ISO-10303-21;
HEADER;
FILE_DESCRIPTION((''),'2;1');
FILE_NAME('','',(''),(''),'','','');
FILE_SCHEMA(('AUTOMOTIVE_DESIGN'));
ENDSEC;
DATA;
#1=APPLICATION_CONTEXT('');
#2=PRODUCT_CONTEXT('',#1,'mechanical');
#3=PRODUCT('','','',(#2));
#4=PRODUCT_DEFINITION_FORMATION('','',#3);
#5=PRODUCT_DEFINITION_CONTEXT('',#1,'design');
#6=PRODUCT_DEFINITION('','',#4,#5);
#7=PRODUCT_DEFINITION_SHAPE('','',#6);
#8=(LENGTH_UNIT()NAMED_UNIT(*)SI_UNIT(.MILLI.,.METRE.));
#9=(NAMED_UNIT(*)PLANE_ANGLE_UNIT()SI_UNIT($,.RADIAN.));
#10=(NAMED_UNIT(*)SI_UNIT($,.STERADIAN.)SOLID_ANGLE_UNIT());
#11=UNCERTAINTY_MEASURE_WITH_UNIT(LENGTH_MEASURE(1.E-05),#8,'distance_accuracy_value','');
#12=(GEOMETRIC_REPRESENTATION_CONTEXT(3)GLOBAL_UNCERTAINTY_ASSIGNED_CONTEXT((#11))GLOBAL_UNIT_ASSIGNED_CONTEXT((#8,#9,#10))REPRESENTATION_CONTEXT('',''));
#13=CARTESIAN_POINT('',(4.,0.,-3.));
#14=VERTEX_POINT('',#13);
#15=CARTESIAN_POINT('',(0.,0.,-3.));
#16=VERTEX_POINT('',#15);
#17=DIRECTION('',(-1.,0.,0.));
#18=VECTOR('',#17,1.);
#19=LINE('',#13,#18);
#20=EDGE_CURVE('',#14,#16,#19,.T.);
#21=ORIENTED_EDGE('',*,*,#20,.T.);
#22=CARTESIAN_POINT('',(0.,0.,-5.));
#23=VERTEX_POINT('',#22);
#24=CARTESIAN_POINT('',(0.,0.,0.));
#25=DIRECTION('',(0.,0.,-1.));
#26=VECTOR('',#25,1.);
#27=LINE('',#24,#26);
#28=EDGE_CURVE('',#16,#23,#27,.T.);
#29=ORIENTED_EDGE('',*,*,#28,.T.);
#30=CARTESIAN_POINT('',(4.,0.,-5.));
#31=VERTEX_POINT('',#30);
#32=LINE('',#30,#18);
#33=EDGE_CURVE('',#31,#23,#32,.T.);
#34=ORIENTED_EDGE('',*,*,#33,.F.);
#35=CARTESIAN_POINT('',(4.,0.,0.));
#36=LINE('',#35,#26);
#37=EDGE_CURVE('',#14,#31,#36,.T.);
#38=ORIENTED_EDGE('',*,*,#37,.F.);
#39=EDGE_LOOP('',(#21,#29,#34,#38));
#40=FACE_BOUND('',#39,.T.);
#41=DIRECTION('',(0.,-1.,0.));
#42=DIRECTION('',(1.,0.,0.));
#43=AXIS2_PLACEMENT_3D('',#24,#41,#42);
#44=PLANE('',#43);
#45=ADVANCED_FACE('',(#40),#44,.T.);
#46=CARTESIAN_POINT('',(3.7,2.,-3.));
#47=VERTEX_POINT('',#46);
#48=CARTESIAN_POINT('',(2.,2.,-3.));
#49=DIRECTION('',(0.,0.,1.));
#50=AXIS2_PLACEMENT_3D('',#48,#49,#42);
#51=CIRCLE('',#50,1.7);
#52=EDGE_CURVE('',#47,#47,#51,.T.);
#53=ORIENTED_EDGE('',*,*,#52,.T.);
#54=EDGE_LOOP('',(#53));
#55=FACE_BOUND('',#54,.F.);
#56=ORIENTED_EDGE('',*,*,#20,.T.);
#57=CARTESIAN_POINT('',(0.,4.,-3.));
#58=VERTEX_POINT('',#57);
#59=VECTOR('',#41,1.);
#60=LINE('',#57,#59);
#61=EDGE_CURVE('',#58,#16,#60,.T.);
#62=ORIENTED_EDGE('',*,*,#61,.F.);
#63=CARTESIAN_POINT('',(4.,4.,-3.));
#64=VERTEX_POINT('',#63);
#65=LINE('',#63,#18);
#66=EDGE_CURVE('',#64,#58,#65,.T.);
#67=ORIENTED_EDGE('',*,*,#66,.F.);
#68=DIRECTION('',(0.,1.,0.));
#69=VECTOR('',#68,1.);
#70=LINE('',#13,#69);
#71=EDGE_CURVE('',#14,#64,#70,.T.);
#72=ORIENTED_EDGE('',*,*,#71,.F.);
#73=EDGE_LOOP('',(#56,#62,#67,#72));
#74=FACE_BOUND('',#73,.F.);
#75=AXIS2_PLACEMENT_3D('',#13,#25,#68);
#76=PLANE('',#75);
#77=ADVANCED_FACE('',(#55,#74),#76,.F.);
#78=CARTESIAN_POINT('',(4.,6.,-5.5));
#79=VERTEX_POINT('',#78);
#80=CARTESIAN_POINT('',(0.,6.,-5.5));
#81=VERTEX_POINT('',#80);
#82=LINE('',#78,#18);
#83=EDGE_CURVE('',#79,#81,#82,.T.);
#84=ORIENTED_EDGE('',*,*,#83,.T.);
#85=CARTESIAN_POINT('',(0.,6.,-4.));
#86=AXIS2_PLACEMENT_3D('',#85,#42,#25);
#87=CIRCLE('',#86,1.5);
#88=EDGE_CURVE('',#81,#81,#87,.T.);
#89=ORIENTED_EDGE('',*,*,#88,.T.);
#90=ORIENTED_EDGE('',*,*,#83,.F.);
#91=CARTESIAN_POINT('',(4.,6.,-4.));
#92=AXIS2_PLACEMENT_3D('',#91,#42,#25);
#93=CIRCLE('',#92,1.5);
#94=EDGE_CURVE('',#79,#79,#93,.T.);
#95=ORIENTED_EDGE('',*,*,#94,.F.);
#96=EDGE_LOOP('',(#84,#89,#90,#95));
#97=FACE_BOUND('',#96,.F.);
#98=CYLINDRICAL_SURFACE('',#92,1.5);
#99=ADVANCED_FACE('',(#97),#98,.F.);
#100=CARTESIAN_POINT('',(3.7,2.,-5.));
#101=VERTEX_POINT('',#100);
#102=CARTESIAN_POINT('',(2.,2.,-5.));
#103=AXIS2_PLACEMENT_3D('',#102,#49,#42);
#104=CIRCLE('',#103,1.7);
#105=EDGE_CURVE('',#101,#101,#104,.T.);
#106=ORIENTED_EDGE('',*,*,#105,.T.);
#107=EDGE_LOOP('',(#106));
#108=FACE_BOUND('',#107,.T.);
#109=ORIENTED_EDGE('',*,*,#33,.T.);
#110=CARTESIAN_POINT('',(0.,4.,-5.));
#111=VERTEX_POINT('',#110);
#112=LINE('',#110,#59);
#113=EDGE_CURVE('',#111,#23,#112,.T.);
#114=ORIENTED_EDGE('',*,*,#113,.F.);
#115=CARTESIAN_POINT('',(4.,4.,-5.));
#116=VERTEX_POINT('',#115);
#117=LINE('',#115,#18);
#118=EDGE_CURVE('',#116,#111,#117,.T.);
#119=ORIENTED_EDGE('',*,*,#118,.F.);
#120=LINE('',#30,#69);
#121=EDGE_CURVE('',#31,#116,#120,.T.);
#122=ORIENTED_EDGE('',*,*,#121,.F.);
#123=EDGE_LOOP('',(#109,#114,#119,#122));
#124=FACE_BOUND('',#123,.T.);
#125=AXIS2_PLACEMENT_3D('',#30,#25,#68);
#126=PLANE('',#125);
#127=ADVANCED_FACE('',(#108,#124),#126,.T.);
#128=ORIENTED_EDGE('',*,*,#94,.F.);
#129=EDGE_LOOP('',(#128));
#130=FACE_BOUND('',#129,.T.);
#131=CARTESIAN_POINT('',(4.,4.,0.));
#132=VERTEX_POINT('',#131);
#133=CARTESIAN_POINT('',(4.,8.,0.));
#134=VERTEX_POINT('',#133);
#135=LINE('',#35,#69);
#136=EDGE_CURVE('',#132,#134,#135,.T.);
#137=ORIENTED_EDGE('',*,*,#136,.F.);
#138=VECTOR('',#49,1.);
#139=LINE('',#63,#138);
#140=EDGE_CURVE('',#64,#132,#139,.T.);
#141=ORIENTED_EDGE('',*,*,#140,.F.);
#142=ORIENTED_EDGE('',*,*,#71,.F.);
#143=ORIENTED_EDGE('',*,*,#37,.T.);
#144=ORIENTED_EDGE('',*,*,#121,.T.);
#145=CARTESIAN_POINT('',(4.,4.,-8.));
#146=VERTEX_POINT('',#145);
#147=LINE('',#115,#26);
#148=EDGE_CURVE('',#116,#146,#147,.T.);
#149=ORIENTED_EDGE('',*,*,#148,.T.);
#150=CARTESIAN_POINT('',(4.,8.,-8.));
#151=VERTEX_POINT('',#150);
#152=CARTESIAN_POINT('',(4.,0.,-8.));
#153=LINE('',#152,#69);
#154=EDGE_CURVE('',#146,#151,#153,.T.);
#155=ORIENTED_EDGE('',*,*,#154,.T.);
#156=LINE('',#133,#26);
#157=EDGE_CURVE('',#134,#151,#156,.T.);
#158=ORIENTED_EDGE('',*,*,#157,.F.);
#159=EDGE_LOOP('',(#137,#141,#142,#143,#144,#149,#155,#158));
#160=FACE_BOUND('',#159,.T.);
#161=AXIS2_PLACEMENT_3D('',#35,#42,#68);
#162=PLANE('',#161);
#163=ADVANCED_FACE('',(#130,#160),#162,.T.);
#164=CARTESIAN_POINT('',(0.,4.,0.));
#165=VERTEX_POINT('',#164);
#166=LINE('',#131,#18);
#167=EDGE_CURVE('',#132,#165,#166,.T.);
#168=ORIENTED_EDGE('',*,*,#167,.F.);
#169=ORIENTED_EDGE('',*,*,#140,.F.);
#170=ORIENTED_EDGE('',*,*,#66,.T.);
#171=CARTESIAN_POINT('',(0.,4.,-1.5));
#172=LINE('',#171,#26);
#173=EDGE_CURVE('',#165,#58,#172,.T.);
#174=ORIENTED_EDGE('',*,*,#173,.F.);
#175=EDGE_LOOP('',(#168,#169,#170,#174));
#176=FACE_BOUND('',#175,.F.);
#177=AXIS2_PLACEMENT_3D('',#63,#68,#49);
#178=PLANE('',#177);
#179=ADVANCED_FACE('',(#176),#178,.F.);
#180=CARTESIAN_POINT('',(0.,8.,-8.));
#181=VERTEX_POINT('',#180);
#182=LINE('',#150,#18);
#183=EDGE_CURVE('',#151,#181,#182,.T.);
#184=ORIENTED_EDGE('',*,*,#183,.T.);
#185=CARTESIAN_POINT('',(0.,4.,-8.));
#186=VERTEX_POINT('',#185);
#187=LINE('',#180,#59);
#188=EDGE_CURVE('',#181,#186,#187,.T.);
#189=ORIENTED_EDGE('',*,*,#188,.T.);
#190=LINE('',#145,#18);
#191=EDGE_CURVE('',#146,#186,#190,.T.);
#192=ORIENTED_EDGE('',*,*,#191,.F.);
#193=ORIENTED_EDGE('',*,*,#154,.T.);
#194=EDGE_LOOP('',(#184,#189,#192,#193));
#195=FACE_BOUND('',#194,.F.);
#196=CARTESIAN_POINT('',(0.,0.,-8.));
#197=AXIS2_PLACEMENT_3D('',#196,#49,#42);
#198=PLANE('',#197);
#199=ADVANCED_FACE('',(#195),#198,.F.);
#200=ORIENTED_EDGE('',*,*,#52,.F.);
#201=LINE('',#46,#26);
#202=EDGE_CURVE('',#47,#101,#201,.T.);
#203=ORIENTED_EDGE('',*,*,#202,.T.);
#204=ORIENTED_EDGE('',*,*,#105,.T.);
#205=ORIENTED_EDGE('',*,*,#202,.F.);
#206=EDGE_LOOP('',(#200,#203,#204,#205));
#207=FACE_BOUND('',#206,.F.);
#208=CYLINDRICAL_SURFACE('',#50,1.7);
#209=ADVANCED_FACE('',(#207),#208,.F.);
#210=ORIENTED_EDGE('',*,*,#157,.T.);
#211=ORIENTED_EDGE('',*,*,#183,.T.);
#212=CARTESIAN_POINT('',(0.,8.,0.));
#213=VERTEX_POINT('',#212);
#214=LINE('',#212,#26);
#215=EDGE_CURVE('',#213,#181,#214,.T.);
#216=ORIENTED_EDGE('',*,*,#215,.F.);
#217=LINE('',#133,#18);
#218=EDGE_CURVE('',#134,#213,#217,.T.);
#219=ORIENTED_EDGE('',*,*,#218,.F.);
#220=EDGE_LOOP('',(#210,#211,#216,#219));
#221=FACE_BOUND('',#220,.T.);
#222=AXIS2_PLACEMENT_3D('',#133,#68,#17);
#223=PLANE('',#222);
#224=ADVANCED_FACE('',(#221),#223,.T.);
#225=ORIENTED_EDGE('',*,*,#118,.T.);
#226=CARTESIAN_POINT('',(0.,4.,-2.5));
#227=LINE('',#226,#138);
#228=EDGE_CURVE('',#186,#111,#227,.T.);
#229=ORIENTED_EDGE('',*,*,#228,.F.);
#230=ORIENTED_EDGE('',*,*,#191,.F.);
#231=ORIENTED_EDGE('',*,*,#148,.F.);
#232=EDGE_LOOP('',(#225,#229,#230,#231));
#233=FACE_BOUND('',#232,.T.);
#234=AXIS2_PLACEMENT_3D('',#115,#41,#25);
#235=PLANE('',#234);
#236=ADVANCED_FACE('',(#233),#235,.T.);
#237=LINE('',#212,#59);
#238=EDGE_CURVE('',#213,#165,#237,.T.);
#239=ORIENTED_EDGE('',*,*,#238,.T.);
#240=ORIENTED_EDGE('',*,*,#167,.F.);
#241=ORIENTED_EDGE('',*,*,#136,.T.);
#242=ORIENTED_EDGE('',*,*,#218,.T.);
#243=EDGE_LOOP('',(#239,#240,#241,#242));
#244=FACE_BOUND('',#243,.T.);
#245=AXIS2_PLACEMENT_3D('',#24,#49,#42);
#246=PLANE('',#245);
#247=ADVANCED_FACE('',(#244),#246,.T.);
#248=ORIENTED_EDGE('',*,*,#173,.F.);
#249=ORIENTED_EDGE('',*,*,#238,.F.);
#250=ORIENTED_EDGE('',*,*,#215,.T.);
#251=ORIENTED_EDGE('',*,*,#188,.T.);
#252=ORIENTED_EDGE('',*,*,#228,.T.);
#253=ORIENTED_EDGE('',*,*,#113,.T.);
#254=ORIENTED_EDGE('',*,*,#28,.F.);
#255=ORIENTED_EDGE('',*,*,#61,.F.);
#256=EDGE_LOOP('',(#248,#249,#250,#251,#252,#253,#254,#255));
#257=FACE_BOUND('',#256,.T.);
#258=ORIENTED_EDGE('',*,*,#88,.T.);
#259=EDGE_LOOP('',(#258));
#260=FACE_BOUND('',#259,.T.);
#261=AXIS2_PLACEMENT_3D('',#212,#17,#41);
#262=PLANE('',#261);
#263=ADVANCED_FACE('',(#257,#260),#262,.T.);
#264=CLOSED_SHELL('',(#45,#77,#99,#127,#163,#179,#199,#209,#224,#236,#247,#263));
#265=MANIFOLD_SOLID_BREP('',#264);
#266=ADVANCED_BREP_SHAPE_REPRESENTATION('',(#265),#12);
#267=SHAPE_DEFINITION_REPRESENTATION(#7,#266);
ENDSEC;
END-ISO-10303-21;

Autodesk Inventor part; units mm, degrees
ref_plane "YZ Plane" through (0, 0, 0) normal (1, 0, 0) x (0, 1, 0)
ref_plane "XZ Plane" through (0, 0, 0) normal (0, 1, 0) x (-1, 0, 0)
ref_plane "XY Plane" through (0, 0, 0) normal (0, 0, 1) x (1, 0, 0)
sketch "Skizze1" plane through (0, 0, 0) normal (0, 0, 1) x (1, 0, 0)
  line L0 (0, 0) -> (4, 0)
  line L1 (4, 0) -> (4, 8)
  line L2 (4, 8) -> (0, 8)
  line L3 (0, 8) -> (0, 0)
  dimension "d0" = 4
  dimension "d1" = 8
extrude "Extrusion1" add sketch "Skizze1" against normal blind 8
sketch "Skizze12" plane through (4, 0, 0) normal (1, 0, 0) x (0, 0, -1)
  line L0 (0, 8) -> (0, 0) projected
  line L1 (0, 0) -> (3, 0)
  line L2 (3, 0) -> (3, 4)
  line L3 (3, 4) -> (0, 4)
  line L4 (0, 4) -> (0, 0)
  line L5 (8, 0) -> (5, 0)
  line L6 (5, 0) -> (5, 4)
  line L7 (5, 4) -> (8, 4)
  line L8 (8, 4) -> (8, 0)
  dimension "d45" = 4
  dimension "d46" = 4
  dimension "d47" = 3
  dimension "d48" = 3
extrude "Extrusion10" cut sketch "Skizze12" against normal blind 5
sketch "Skizze13" plane through (4, 0, -3) normal (0, 0, 1) x (1, 0, 0)
  circle A0 centre (-2, 2) radius 1.7
  line L0 (0, 0) -> (-4, 0) projected
  line L1 (0, 4) -> (0, 0) projected
  dimension "d51" = 3.4
  dimension "d52" = 2
  dimension "d53" = 2
extrude "Extrusion11" cut sketch "Skizze13" against normal blind 3
sketch "Skizze14" plane through (4, 8, 0) normal (1, 0, 0) x (0, 0, -1)
  circle A0 centre (4, -2) radius 1.5
  line L0 (0, -4) -> (0, 0) projected
  line L1 (0, -4) -> (3, -4) projected
  point P0 (0, -8)
  dimension "d56" = 3
  dimension "d57" = 4
  dimension "d58" = 2
extrude "Extrusion12" cut sketch "Skizze14" against normal blind 10
properties part number "kamerahaltung"
